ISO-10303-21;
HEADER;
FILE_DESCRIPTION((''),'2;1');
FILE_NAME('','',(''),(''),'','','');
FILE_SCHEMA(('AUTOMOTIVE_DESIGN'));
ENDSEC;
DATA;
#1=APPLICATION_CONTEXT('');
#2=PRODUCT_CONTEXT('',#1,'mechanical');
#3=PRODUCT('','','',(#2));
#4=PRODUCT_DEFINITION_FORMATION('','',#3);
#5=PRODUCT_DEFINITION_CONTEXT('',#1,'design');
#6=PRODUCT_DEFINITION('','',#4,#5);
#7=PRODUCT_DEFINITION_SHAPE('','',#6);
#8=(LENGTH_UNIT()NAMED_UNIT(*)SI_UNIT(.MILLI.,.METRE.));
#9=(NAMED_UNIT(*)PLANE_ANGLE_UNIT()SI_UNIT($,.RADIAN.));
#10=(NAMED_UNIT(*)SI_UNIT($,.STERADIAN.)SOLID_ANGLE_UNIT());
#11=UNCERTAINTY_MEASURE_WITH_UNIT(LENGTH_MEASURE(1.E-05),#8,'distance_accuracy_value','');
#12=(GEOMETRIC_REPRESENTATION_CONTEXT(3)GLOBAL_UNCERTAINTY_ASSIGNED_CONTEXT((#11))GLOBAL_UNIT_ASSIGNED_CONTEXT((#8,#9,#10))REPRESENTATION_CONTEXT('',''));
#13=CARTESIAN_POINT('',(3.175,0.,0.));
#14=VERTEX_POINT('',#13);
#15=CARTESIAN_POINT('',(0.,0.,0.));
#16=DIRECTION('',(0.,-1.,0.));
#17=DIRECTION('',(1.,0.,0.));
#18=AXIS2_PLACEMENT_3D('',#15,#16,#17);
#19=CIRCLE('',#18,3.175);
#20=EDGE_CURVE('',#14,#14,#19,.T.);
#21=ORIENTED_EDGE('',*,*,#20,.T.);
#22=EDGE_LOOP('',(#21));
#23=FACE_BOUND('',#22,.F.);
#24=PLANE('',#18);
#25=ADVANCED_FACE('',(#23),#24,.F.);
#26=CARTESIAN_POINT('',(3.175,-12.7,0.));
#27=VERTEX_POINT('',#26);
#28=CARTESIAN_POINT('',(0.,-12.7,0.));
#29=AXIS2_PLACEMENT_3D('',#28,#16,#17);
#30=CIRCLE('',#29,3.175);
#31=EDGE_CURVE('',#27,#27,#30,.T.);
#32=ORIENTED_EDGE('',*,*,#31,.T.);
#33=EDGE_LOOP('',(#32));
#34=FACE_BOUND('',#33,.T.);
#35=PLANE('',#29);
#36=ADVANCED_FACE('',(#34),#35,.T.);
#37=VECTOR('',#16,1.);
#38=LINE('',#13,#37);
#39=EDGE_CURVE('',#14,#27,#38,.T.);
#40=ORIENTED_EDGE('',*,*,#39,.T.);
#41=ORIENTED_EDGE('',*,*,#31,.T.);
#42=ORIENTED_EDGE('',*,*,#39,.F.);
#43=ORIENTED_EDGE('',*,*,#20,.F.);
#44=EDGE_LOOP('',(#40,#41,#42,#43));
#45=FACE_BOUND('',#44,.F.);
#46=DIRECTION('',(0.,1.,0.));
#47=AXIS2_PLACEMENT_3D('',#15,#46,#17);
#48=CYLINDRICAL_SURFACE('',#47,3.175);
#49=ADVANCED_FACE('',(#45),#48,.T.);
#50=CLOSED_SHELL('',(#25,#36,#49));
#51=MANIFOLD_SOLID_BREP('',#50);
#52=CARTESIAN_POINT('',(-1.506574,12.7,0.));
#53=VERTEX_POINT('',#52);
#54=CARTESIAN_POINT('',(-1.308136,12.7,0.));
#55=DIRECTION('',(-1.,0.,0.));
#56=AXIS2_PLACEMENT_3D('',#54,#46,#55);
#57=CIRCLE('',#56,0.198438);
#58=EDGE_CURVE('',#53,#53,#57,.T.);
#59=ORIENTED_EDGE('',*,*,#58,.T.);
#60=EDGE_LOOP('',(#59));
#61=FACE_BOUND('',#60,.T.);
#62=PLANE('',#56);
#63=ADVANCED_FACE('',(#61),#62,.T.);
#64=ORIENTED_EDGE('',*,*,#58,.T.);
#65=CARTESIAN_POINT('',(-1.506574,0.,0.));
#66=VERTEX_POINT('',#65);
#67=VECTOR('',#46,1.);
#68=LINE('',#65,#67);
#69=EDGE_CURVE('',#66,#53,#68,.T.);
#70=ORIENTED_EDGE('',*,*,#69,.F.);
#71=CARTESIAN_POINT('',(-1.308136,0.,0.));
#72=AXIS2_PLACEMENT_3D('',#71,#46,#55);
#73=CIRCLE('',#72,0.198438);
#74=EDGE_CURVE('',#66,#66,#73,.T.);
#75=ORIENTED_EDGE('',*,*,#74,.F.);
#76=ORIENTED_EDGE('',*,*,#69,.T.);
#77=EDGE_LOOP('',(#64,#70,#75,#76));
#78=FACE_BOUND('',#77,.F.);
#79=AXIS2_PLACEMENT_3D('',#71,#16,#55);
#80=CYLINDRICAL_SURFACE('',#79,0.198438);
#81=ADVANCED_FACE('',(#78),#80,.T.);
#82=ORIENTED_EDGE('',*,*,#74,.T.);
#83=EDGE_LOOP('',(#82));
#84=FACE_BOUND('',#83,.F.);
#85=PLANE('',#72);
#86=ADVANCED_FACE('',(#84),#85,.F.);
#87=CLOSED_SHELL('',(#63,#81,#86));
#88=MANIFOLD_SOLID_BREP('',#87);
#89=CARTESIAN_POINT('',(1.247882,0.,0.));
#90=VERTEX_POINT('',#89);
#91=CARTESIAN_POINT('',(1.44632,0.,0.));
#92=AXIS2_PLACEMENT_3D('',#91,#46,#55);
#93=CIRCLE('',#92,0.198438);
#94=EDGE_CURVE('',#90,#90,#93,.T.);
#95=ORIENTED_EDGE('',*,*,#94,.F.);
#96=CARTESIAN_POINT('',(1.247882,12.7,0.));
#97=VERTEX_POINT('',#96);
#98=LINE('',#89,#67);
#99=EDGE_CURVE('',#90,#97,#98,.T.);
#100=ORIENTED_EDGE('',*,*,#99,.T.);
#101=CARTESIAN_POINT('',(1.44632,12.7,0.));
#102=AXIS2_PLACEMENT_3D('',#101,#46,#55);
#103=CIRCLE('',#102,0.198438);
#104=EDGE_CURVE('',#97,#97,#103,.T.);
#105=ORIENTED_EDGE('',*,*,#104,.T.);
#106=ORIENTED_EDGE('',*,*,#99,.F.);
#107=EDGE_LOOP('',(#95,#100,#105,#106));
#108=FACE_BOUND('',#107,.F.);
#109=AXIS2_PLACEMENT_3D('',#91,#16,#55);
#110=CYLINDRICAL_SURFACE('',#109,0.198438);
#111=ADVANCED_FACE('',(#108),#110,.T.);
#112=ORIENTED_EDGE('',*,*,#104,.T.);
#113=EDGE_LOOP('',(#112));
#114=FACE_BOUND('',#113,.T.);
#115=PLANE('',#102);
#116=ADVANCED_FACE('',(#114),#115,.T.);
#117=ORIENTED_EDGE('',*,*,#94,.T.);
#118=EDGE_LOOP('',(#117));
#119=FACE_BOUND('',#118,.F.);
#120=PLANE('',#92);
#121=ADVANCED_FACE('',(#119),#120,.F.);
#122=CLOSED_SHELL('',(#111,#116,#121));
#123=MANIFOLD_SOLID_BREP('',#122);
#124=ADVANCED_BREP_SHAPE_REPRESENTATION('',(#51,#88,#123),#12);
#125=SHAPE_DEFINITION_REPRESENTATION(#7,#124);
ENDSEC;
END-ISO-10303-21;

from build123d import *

# Parameters (mm, degrees)
F0_R     = 3.175
F1_DEPTH = 12.7
F2_R     = 0.198438
F3_DEPTH = 12.7


with BuildPart() as f1:
    # F0 (on Front) → F1 (new body)
    with BuildSketch(Plane.XZ):
        Circle(F0_R)
    extrude(amount=F1_DEPTH)


with BuildPart() as f3:
    # F2 (on face) → F3 (new body)
    with BuildSketch(Plane(origin=(0, 0, 0), x_dir=(-1, 0, 0), z_dir=(0, 1, 0))):
        with Locations((1.308136, 0)):
            Circle(F2_R)
        with Locations((-1.44632, 0)):
            Circle(F2_R)
    extrude(amount=F3_DEPTH)


solid = Compound([f1.part, f3.part])
